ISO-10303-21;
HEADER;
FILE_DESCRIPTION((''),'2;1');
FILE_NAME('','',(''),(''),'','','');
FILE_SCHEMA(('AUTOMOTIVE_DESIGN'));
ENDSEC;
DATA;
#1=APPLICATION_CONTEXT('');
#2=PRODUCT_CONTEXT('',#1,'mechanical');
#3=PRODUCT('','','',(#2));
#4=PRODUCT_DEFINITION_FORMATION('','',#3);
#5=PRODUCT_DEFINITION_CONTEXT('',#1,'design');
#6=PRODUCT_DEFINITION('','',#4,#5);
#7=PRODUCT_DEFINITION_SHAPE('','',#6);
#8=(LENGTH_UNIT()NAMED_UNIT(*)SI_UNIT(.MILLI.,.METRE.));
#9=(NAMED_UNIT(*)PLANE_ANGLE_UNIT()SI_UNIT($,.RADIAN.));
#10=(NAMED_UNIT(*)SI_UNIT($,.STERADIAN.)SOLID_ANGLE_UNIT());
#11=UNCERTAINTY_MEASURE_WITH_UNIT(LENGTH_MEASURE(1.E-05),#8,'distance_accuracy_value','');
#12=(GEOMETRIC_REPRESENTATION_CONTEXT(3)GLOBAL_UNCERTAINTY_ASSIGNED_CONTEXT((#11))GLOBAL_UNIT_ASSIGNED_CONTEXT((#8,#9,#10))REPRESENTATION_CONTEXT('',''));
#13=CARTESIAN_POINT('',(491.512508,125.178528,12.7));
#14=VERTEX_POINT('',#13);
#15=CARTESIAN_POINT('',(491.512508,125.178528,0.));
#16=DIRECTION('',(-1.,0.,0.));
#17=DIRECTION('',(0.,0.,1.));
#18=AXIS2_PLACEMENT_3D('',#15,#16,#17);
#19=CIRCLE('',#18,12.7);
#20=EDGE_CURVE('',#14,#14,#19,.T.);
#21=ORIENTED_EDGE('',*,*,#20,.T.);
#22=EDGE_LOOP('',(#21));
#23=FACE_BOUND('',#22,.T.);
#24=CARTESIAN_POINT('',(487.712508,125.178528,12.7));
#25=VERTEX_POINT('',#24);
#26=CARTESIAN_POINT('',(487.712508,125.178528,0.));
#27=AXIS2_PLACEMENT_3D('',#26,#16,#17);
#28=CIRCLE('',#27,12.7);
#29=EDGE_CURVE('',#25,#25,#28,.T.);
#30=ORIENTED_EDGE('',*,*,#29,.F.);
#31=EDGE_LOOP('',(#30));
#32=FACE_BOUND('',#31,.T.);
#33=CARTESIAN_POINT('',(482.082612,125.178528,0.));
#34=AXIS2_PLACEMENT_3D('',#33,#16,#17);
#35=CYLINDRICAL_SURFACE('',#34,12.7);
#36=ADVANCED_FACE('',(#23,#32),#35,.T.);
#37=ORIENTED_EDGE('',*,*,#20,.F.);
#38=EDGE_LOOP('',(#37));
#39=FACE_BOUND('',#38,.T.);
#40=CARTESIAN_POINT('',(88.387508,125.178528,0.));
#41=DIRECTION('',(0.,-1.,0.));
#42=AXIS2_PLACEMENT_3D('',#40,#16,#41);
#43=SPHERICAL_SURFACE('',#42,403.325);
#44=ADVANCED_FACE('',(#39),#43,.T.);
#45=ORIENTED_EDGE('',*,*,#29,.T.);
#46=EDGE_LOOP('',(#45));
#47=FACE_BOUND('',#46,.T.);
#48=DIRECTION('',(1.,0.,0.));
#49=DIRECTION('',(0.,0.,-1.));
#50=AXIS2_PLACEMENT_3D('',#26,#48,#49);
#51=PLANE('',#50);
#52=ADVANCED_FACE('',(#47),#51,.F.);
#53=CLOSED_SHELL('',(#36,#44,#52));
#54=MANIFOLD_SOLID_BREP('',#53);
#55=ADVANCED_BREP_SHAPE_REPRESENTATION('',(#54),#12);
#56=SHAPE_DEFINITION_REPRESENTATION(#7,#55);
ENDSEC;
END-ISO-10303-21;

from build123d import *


with BuildPart() as part:
    # 草图1 → 旋转1 (revolve)
    with BuildSketch(Plane.XY, mode=Mode.PRIVATE) as revolve_1_sk:
        with BuildLine():
            Line((487.712507803, 125.178527759), (487.712507803, 137.878527759))
            Line((487.712507803, 137.878527759), (491.512507803, 137.878527759))
            ThreePointArc((491.512507803, 137.878527759), (491.662504703, 131.529315111), (491.712507803, 125.178527759))
            Line((491.712507803, 125.178527759), (487.712507803, 125.178527759))
        make_face()
    revolve(revolve_1_sk.sketch.rotate(Axis((482.082611751, 125.178527759, 0), (1, 0, 0)), 180), axis=Axis((482.082611751, 125.178527759, 0), (1, 0, 0)))  # turned: the seam where the file's is


solid = part.part
